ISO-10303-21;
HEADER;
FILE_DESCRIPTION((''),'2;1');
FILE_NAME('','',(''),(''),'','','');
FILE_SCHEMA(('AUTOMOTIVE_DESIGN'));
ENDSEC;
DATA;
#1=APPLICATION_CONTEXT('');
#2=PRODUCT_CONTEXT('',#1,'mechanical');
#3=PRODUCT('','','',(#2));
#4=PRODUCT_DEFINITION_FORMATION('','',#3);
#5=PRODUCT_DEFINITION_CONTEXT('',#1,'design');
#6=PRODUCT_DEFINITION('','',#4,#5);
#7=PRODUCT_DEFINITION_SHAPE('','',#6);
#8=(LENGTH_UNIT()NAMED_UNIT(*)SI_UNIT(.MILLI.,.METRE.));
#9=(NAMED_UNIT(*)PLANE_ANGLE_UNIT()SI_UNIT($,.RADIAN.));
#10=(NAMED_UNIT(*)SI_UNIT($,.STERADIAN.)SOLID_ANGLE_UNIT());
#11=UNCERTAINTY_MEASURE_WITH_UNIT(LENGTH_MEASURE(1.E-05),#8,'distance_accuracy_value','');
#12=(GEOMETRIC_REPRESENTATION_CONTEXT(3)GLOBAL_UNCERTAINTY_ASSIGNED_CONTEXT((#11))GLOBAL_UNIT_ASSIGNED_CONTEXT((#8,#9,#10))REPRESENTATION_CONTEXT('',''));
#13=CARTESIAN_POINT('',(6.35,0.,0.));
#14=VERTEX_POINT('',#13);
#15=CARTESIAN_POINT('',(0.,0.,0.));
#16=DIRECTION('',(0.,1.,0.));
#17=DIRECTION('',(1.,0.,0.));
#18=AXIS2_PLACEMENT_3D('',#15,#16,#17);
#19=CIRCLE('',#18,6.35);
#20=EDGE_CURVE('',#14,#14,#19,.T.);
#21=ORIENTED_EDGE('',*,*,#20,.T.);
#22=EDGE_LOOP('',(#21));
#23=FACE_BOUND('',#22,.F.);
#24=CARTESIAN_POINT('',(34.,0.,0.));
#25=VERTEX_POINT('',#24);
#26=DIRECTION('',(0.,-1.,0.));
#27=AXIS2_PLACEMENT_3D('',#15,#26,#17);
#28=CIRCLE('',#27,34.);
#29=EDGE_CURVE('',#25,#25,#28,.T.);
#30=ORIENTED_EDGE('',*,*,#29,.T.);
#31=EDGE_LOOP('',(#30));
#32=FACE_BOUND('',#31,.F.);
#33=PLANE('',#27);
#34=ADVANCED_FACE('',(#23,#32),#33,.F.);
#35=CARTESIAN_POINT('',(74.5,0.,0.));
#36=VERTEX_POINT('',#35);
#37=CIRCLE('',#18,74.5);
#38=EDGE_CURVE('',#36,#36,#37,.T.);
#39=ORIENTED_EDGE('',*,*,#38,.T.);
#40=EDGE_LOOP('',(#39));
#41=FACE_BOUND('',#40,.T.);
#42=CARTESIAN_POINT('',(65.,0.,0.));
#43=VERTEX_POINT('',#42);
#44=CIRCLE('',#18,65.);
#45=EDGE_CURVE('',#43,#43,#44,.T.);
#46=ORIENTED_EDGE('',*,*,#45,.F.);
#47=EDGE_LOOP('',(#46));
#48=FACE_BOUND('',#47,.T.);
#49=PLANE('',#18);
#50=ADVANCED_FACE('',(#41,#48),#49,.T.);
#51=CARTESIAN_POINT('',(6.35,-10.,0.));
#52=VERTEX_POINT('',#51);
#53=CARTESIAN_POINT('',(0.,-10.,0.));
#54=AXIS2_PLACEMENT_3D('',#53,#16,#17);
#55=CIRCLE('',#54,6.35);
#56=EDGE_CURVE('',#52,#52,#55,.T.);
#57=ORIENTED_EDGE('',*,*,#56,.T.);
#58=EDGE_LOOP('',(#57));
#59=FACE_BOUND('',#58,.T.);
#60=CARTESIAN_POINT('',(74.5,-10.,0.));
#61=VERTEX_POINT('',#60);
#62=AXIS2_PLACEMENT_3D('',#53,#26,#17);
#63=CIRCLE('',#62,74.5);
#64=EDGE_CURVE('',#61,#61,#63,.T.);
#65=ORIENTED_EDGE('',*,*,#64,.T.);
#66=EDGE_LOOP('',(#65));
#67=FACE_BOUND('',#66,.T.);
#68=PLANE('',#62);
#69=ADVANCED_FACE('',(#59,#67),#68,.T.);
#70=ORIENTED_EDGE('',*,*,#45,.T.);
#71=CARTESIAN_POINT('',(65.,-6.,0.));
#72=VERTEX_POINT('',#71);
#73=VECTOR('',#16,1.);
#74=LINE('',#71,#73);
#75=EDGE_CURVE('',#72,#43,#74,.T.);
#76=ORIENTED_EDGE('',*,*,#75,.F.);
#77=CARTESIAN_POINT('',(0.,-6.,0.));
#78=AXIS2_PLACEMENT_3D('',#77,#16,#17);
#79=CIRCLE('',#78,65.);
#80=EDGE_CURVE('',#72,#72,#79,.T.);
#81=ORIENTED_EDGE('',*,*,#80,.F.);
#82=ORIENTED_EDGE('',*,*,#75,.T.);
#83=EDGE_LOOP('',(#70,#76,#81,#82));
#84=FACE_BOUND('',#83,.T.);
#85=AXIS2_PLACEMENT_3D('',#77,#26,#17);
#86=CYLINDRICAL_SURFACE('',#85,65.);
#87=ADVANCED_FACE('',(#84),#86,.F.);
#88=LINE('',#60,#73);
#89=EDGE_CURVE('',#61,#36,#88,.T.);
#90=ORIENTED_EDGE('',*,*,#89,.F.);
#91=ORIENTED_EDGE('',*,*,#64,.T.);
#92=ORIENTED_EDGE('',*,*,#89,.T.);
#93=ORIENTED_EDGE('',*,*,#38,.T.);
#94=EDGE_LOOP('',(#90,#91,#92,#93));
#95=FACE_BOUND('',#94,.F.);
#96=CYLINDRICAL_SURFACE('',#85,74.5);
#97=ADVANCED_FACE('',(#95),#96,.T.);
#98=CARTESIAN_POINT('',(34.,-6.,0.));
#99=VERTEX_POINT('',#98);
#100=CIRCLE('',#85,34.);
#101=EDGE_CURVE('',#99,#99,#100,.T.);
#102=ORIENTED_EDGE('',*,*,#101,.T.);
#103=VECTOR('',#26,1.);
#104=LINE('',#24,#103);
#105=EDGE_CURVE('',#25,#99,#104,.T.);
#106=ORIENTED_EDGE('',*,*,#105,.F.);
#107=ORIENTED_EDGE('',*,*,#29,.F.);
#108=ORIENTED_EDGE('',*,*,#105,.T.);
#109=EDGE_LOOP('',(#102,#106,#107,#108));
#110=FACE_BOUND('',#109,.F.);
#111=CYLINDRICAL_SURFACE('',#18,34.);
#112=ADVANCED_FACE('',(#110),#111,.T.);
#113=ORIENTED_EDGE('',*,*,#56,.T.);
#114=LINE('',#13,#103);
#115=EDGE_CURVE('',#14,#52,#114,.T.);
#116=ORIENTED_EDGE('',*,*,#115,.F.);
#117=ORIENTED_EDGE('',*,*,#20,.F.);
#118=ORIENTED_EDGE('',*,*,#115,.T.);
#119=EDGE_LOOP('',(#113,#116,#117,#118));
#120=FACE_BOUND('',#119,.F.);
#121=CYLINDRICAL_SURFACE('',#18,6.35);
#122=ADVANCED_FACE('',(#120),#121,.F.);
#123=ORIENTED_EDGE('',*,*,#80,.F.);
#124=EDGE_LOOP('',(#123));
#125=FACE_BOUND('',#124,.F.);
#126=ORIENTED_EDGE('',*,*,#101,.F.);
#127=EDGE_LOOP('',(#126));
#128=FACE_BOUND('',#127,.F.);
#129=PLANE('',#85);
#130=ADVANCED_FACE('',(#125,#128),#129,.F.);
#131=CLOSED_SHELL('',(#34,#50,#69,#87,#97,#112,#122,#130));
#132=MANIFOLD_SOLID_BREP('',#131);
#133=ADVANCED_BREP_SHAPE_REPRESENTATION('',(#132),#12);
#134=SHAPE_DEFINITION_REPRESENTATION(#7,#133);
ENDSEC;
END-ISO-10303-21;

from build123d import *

# Parameters (mm, degrees)
SKETCH016_R     = 34
PAD013_DEPTH    = 6
SKETCH017_R     = 74.5
PAD014_DEPTH    = 4
SKETCH018_R     = 74.5
SKETCH018_R_2   = 65
PAD015_DEPTH    = 6
SKETCH019_R     = 6.35
POCKET003_DEPTH = 10.001


with BuildPart() as part:
    # Sketch016 → Pad013 (new body)
    with BuildSketch(Plane.XZ):
        Circle(SKETCH016_R)
    extrude(amount=PAD013_DEPTH)

    # Sketch017 (on Face3 of Pad013) → Pad014 (join)
    with BuildSketch(Plane.XZ.offset(6)):
        Circle(SKETCH017_R)
    extrude(amount=PAD014_DEPTH)

    # Sketch018 (on Face2 of Pad014) → Pad015 (join)
    with BuildSketch(Plane(origin=(0, -6, 0), x_dir=(1, 0, 0), z_dir=(0, 1, 0))):
        Circle(SKETCH018_R)
        Circle(SKETCH018_R_2, mode=Mode.SUBTRACT)
    extrude(amount=PAD015_DEPTH)

    # Sketch019 (on Face8 of Pad015) → Pocket003 (cut, through all)
    with BuildSketch(Plane(origin=(0, 0, 0), x_dir=(1, 0, 0), z_dir=(0, 1, 0))):
        Circle(SKETCH019_R)
    extrude(amount=-POCKET003_DEPTH, mode=Mode.SUBTRACT)


solid = part.part
